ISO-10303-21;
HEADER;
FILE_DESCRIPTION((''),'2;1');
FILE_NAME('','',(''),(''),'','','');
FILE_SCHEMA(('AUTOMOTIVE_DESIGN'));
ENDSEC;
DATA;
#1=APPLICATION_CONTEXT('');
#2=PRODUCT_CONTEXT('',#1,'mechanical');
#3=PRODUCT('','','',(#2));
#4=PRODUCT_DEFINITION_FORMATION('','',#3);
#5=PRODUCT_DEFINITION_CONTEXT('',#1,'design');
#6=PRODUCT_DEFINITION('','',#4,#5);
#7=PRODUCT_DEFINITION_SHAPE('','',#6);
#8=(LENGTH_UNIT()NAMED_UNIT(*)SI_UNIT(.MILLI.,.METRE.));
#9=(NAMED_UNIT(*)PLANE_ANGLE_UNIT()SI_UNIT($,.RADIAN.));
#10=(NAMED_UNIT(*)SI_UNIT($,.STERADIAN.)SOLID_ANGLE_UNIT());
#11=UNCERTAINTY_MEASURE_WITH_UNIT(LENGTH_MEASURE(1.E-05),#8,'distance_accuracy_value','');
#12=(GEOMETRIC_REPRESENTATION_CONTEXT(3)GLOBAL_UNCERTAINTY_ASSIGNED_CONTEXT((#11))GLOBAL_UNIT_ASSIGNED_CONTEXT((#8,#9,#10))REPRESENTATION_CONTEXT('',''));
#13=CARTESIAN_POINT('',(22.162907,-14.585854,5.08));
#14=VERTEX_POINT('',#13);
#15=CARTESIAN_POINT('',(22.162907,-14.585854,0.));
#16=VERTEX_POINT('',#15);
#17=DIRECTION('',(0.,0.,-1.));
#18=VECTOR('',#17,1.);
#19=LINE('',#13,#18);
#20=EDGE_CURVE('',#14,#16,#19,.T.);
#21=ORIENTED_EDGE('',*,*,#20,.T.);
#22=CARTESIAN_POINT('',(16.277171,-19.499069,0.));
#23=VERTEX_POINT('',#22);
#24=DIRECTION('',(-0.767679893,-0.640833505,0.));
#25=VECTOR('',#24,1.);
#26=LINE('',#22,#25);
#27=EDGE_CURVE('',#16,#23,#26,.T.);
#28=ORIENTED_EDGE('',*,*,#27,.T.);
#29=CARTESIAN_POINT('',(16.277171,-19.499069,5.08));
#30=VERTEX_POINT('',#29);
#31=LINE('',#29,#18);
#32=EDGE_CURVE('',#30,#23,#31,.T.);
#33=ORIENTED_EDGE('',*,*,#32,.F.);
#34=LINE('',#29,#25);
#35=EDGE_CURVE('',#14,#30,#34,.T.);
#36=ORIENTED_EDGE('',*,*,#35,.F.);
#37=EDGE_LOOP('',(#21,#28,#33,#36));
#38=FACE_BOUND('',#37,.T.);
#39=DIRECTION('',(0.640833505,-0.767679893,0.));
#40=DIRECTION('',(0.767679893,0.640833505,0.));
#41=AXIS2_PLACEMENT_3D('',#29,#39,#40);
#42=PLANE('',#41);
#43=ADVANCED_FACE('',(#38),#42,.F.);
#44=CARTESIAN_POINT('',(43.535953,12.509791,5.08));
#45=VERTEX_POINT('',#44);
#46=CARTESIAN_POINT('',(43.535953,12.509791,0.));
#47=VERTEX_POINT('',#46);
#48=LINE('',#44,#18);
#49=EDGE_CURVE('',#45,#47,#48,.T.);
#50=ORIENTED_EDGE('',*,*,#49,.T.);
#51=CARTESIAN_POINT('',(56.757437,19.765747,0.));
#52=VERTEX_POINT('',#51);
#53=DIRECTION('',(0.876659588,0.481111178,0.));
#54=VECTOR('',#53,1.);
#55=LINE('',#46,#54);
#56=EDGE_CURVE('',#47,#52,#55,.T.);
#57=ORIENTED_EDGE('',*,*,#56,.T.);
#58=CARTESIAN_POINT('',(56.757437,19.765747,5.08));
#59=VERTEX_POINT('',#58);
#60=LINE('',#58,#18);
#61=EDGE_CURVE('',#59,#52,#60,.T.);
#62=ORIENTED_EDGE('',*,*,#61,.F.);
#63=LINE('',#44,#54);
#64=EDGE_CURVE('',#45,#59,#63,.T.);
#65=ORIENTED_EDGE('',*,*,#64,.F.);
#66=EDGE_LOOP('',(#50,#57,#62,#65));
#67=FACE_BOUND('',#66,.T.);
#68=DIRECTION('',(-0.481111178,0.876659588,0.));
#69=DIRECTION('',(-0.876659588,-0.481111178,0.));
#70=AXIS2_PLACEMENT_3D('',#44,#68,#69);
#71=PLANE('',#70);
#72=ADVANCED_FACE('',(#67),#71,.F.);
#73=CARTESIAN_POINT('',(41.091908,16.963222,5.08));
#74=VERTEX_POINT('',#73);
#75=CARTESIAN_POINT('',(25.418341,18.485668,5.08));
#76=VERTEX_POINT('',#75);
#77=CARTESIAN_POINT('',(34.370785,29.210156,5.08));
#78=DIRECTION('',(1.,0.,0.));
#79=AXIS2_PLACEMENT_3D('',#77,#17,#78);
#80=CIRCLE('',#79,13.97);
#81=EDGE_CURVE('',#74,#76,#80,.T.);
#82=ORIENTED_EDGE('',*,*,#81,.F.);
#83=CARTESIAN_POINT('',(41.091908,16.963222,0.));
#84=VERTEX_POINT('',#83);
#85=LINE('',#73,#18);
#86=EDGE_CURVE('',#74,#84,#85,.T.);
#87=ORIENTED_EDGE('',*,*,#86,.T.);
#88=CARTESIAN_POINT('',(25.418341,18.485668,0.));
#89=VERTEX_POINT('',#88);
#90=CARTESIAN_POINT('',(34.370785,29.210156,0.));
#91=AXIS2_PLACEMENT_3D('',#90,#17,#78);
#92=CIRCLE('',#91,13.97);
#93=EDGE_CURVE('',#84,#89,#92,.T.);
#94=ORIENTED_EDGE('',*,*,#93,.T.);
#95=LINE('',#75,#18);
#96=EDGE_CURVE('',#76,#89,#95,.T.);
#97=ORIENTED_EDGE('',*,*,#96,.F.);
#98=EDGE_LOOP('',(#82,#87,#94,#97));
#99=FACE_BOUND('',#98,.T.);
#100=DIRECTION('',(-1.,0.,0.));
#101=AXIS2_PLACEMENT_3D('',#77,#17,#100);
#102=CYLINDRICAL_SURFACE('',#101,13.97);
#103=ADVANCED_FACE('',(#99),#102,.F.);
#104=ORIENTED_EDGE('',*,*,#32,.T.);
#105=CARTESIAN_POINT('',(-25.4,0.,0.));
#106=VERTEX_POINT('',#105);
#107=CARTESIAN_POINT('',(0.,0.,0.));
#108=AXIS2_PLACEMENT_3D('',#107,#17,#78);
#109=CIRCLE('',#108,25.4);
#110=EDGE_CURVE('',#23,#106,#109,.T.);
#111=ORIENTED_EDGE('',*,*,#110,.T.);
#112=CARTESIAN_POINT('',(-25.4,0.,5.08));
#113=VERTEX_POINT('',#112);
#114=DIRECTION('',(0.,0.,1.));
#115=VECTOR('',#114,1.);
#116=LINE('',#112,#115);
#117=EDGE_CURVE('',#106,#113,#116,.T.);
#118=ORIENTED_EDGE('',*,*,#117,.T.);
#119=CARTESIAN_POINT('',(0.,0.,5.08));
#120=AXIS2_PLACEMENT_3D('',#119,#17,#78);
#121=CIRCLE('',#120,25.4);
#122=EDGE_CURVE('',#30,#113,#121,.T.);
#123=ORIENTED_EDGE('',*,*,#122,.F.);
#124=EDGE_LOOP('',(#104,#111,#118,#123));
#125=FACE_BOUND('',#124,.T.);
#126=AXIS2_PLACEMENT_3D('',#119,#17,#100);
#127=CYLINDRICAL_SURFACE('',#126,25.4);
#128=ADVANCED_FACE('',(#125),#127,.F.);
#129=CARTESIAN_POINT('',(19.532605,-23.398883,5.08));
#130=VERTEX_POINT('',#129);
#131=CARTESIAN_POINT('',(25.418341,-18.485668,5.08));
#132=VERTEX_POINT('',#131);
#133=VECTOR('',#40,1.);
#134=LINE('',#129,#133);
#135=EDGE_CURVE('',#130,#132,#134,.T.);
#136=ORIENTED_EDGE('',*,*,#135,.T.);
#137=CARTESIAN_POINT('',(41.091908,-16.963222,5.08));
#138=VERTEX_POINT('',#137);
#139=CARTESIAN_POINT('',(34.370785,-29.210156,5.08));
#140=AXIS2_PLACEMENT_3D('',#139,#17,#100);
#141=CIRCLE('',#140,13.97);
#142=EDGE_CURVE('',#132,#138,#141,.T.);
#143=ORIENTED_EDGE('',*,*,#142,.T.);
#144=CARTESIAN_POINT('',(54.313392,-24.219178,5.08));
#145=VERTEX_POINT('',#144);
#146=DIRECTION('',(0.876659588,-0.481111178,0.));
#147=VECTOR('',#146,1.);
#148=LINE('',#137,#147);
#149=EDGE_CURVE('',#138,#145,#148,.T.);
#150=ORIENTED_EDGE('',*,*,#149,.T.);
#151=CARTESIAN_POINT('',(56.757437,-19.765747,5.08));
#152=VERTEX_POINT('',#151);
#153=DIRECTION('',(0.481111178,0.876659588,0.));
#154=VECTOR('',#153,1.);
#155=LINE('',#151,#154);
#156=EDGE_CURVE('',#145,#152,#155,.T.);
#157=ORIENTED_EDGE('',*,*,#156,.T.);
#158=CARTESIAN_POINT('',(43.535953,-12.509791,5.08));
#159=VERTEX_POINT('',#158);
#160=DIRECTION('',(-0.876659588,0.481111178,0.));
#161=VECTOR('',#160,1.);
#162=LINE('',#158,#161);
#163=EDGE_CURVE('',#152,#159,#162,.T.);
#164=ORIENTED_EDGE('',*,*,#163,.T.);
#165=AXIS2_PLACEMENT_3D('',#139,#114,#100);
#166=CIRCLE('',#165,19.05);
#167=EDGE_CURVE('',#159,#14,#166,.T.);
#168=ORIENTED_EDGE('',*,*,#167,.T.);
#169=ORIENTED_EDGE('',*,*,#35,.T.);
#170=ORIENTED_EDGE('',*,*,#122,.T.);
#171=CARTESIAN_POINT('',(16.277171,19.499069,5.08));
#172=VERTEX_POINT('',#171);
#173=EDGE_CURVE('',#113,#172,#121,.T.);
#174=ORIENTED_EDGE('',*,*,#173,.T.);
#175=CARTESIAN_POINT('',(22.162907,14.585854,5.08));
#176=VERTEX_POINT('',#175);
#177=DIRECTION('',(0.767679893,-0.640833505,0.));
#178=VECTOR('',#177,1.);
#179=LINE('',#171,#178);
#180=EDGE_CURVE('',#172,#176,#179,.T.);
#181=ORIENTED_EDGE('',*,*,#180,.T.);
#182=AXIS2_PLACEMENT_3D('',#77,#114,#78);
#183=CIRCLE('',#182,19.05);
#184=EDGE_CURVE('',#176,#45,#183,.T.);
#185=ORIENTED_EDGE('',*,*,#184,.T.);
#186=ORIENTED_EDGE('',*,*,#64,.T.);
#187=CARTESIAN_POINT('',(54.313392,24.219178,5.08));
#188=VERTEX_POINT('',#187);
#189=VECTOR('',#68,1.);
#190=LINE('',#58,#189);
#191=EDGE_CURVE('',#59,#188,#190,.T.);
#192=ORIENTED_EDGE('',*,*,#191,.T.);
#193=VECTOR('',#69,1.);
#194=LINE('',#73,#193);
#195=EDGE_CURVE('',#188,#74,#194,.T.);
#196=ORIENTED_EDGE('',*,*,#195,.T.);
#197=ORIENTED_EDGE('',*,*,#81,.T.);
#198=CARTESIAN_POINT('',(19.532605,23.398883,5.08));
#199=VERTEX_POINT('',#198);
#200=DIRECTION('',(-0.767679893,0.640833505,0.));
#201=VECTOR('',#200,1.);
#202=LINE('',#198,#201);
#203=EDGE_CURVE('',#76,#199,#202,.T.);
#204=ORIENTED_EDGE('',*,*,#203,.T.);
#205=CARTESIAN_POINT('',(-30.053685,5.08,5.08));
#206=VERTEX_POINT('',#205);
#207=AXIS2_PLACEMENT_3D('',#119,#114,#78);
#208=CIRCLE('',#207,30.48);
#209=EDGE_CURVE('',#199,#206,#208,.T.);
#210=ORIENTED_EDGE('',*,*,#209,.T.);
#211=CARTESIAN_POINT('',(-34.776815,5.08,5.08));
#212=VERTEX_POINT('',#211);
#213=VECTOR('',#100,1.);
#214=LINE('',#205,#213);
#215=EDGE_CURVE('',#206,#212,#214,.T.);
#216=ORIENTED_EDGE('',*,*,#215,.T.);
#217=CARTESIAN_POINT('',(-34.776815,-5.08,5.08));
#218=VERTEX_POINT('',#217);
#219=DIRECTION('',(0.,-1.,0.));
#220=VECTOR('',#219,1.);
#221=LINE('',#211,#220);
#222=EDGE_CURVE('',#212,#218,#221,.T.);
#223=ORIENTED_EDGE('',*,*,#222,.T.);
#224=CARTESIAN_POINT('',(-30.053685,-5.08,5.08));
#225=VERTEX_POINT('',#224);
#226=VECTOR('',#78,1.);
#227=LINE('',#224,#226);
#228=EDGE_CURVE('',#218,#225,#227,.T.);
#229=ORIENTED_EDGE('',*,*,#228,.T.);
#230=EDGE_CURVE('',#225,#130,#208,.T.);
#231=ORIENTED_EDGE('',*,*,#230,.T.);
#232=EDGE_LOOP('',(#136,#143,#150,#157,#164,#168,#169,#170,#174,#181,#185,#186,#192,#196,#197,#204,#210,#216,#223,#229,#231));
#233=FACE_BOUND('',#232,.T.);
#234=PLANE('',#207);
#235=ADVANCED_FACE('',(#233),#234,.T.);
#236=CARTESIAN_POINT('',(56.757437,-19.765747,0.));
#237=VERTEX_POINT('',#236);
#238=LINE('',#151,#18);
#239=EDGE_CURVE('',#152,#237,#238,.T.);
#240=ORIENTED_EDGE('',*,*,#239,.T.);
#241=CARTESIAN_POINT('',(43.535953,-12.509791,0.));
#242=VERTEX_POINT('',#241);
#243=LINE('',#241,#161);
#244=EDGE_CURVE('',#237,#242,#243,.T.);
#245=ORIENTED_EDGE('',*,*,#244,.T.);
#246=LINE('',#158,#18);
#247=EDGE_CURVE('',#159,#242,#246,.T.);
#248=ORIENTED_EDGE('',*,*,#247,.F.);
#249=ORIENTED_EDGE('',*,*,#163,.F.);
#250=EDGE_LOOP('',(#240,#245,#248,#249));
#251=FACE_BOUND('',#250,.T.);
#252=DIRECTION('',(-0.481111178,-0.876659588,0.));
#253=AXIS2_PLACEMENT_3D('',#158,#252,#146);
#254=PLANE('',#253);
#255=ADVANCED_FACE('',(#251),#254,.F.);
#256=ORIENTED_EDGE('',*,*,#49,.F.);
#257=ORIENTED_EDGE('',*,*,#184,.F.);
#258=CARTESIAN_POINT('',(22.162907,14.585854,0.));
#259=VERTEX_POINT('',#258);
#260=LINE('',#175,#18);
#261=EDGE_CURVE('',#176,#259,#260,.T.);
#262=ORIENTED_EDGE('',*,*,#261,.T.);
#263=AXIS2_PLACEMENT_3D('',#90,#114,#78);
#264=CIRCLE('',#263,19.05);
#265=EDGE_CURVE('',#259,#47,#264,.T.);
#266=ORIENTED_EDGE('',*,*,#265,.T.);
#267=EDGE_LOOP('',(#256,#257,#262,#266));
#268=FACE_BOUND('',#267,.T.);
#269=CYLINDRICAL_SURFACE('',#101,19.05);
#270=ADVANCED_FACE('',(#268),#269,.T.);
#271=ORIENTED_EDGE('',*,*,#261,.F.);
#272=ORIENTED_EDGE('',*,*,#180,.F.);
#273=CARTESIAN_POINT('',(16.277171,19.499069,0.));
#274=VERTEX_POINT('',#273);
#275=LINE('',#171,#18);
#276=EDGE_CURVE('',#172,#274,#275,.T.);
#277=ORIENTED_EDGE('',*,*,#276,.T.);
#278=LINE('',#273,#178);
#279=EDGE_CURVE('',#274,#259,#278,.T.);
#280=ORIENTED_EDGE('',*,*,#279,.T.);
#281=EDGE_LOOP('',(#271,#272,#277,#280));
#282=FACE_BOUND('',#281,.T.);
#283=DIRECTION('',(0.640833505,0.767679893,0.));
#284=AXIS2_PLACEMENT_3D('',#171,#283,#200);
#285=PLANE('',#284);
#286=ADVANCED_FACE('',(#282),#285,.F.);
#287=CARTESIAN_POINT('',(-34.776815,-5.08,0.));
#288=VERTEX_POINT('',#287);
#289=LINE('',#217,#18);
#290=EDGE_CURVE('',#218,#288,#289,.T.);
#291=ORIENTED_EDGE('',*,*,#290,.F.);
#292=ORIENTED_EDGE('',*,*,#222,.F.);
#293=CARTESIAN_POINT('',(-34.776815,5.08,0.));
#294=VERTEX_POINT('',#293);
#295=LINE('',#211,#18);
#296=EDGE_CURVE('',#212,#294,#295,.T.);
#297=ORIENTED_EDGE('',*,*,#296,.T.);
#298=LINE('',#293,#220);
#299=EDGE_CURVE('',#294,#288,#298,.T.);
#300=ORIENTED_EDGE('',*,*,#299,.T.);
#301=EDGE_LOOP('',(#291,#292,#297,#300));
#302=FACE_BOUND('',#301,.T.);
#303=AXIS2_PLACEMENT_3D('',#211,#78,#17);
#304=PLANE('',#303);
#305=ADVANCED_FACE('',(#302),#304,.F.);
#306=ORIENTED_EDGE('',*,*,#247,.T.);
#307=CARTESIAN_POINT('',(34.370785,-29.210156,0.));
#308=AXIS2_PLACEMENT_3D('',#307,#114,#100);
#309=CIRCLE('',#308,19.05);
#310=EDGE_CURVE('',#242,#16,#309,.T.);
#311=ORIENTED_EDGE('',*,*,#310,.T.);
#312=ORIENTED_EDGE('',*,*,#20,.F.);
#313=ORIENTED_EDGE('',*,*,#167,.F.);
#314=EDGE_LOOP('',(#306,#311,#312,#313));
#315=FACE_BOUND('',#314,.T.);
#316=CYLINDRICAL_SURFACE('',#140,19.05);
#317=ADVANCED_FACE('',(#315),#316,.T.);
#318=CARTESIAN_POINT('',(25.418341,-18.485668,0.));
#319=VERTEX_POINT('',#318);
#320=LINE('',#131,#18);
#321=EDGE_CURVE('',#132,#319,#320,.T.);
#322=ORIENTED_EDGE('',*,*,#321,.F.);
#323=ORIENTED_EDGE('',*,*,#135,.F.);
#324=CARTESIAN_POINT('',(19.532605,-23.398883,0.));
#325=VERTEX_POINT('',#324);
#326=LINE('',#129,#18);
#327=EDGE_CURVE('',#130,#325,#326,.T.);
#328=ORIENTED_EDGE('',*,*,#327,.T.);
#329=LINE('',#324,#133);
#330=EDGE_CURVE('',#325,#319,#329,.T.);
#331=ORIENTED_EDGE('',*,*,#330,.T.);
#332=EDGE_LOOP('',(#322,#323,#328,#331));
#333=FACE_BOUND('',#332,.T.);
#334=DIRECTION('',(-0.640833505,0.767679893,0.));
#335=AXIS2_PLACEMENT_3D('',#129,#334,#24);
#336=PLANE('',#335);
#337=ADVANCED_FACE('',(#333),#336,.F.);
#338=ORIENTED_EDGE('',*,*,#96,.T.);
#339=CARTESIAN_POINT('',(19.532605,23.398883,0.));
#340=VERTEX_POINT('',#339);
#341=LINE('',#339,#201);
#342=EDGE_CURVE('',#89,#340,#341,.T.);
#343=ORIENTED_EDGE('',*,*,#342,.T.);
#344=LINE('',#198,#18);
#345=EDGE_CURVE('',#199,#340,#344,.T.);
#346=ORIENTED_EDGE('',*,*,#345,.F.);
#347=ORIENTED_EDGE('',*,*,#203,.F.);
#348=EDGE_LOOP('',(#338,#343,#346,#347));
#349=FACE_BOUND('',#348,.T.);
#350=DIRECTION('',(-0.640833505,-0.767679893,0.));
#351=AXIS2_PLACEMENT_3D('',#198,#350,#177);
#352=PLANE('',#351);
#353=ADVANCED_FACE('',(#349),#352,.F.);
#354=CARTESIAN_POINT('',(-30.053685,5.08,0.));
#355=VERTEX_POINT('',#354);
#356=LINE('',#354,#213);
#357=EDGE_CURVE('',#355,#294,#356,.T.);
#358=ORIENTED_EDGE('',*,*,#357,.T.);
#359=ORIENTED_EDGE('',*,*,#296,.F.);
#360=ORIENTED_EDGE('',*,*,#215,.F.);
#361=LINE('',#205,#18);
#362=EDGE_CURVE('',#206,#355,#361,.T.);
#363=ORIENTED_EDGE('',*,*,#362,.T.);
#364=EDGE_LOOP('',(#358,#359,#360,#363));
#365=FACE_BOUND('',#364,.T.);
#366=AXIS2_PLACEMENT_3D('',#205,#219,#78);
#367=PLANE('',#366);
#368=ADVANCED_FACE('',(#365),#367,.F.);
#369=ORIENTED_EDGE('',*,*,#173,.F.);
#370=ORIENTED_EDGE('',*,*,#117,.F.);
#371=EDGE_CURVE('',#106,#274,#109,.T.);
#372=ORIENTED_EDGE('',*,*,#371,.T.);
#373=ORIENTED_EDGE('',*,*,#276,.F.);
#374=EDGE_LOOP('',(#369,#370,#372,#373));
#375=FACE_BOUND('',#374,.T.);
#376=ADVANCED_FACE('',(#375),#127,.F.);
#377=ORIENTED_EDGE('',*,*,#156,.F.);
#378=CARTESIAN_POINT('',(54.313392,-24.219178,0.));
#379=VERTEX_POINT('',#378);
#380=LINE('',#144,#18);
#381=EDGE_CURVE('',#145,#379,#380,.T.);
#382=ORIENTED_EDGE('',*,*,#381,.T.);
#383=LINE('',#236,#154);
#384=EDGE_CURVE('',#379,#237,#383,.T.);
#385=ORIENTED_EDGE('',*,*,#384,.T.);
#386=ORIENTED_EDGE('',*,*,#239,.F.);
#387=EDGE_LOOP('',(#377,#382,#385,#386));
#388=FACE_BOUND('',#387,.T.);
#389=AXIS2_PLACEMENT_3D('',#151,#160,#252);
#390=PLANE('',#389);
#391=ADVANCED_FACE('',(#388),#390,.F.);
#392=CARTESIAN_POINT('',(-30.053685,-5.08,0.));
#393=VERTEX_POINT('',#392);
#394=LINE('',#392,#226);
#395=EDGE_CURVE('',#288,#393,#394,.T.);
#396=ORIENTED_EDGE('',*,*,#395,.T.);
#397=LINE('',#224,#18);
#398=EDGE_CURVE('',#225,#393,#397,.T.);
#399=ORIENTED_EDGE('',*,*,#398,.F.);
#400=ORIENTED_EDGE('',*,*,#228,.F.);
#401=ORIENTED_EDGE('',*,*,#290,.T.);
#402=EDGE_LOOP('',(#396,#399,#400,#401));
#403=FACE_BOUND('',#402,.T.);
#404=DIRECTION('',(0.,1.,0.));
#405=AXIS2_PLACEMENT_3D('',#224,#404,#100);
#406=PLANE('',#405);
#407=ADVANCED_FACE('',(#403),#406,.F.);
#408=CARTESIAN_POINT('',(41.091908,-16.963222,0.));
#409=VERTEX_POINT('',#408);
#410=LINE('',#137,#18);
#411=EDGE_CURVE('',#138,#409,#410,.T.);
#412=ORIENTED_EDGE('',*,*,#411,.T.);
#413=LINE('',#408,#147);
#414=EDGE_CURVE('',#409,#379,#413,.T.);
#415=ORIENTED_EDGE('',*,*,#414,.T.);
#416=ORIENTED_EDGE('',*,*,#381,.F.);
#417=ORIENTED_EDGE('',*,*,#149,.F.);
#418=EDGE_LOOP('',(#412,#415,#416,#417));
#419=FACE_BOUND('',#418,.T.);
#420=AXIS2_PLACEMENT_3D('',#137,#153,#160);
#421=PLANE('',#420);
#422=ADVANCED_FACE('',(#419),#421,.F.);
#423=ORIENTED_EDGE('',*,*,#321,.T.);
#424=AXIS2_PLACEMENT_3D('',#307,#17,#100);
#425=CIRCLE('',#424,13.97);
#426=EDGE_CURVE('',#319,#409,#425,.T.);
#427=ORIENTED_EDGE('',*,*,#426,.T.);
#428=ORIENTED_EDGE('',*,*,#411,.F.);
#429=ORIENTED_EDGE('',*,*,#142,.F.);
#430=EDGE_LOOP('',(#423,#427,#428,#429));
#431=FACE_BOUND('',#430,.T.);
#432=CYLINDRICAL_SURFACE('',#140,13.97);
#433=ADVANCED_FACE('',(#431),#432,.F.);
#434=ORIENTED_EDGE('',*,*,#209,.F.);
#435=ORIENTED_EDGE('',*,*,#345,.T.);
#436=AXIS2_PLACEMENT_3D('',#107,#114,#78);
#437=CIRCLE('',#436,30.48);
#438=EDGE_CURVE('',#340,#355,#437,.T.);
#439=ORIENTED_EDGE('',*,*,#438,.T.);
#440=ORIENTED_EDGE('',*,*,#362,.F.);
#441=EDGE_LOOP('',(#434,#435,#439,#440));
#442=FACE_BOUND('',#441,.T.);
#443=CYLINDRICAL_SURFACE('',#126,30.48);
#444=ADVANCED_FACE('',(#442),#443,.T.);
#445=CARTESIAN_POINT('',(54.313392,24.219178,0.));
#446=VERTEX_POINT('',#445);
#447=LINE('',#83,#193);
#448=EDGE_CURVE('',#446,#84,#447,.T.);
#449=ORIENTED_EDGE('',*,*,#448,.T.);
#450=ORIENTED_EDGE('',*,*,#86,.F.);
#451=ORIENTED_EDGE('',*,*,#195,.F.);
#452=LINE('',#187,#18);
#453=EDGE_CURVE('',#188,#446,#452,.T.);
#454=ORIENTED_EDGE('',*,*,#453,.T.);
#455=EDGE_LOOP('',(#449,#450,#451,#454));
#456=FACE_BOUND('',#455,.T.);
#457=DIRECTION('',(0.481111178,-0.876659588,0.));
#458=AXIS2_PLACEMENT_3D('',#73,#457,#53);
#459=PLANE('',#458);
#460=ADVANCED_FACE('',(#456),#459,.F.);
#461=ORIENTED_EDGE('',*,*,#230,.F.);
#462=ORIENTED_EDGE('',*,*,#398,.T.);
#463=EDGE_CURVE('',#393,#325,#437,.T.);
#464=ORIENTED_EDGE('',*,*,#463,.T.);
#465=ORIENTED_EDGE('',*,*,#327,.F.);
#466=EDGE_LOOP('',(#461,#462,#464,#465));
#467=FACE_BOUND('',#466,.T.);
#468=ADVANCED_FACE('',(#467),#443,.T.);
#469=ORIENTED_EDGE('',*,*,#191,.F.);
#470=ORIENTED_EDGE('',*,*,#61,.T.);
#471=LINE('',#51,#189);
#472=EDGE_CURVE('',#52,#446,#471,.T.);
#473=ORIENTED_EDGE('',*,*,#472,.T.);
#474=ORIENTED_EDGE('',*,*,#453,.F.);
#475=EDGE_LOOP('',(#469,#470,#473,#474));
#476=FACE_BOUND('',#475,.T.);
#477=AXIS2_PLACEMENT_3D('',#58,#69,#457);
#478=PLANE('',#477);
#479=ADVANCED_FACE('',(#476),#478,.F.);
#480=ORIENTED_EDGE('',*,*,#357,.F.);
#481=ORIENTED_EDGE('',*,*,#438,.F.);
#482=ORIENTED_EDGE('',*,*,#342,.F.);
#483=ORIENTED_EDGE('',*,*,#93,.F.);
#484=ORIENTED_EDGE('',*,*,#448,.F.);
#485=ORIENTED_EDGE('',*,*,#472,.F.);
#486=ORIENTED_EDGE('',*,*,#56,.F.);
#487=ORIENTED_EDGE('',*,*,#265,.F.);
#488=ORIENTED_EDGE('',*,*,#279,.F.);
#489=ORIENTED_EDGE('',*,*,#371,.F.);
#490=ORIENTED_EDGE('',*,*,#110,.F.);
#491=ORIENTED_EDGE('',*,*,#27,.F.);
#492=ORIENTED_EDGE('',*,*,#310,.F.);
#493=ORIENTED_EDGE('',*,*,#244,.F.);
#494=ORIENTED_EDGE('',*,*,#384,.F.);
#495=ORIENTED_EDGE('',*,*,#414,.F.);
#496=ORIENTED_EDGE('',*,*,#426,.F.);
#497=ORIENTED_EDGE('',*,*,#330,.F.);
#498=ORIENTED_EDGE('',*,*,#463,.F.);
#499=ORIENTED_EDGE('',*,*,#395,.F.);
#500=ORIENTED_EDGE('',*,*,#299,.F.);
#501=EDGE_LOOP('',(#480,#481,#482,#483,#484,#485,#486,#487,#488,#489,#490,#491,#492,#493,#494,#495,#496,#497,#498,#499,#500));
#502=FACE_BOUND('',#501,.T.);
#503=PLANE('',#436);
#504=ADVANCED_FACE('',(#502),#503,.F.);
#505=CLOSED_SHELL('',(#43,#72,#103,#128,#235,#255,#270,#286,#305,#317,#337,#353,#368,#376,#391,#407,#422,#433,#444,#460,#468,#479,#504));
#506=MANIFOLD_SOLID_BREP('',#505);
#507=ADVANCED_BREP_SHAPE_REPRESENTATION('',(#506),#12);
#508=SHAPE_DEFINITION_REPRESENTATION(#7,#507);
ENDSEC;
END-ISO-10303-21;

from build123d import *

# Parameters (mm, degrees)
EXTRUDE1_DEPTH = 5.08


with BuildPart() as part:
    # Sketch1 → Extrude1 (new body)
    with BuildSketch(Plane.XY):
        with BuildLine():
            Line((16.277171033, 19.499069289), (22.162906601, 14.585854045))
            ThreePointArc((22.162906601, 14.585854045), (32.529038116, 10.249394717), (43.535952824, 12.509790851))
            Line((43.535952824, 12.509790851), (56.757436861, 19.765747267))
            Line((56.757436861, 19.765747267), (54.313392075, 24.219177976))
            Line((54.313392075, 24.219177976), (41.091908038, 16.963221561))
            ThreePointArc((41.091908038, 16.963221561), (33.020170585, 15.305597729), (25.418340808, 18.485667902))
            Line((25.418340808, 18.485667902), (19.53260524, 23.398883147))
            ThreePointArc((19.53260524, 23.398883147), (-10.562606276, 28.591287985), (-30.053685298, 5.08))
            Line((-30.053685298, 5.08), (-34.776815298, 5.08))
            Line((-34.776815298, 5.08), (-34.776815298, -5.08))
            Line((-34.776815298, -5.08), (-30.053685298, -5.08))
            ThreePointArc((-30.053685298, -5.08), (-10.562606276, -28.591287985), (19.53260524, -23.398883147))
            Line((19.53260524, -23.398883147), (25.418340808, -18.485667902))
            ThreePointArc((25.418340808, -18.485667902), (33.020170585, -15.305597729), (41.091908038, -16.963221561))
            Line((41.091908038, -16.963221561), (54.313392075, -24.219177976))
            Line((54.313392075, -24.219177976), (56.757436861, -19.765747267))
            Line((56.757436861, -19.765747267), (43.535952824, -12.509790851))
            ThreePointArc((43.535952824, -12.509790851), (32.529038116, -10.249394717), (22.162906601, -14.585854045))
            Line((22.162906601, -14.585854045), (16.277171033, -19.499069289))
            ThreePointArc((16.277171033, -19.499069289), (-25.4, 0), (16.277171033, 19.499069289))
        make_face()
    extrude(amount=EXTRUDE1_DEPTH)


solid = part.part
